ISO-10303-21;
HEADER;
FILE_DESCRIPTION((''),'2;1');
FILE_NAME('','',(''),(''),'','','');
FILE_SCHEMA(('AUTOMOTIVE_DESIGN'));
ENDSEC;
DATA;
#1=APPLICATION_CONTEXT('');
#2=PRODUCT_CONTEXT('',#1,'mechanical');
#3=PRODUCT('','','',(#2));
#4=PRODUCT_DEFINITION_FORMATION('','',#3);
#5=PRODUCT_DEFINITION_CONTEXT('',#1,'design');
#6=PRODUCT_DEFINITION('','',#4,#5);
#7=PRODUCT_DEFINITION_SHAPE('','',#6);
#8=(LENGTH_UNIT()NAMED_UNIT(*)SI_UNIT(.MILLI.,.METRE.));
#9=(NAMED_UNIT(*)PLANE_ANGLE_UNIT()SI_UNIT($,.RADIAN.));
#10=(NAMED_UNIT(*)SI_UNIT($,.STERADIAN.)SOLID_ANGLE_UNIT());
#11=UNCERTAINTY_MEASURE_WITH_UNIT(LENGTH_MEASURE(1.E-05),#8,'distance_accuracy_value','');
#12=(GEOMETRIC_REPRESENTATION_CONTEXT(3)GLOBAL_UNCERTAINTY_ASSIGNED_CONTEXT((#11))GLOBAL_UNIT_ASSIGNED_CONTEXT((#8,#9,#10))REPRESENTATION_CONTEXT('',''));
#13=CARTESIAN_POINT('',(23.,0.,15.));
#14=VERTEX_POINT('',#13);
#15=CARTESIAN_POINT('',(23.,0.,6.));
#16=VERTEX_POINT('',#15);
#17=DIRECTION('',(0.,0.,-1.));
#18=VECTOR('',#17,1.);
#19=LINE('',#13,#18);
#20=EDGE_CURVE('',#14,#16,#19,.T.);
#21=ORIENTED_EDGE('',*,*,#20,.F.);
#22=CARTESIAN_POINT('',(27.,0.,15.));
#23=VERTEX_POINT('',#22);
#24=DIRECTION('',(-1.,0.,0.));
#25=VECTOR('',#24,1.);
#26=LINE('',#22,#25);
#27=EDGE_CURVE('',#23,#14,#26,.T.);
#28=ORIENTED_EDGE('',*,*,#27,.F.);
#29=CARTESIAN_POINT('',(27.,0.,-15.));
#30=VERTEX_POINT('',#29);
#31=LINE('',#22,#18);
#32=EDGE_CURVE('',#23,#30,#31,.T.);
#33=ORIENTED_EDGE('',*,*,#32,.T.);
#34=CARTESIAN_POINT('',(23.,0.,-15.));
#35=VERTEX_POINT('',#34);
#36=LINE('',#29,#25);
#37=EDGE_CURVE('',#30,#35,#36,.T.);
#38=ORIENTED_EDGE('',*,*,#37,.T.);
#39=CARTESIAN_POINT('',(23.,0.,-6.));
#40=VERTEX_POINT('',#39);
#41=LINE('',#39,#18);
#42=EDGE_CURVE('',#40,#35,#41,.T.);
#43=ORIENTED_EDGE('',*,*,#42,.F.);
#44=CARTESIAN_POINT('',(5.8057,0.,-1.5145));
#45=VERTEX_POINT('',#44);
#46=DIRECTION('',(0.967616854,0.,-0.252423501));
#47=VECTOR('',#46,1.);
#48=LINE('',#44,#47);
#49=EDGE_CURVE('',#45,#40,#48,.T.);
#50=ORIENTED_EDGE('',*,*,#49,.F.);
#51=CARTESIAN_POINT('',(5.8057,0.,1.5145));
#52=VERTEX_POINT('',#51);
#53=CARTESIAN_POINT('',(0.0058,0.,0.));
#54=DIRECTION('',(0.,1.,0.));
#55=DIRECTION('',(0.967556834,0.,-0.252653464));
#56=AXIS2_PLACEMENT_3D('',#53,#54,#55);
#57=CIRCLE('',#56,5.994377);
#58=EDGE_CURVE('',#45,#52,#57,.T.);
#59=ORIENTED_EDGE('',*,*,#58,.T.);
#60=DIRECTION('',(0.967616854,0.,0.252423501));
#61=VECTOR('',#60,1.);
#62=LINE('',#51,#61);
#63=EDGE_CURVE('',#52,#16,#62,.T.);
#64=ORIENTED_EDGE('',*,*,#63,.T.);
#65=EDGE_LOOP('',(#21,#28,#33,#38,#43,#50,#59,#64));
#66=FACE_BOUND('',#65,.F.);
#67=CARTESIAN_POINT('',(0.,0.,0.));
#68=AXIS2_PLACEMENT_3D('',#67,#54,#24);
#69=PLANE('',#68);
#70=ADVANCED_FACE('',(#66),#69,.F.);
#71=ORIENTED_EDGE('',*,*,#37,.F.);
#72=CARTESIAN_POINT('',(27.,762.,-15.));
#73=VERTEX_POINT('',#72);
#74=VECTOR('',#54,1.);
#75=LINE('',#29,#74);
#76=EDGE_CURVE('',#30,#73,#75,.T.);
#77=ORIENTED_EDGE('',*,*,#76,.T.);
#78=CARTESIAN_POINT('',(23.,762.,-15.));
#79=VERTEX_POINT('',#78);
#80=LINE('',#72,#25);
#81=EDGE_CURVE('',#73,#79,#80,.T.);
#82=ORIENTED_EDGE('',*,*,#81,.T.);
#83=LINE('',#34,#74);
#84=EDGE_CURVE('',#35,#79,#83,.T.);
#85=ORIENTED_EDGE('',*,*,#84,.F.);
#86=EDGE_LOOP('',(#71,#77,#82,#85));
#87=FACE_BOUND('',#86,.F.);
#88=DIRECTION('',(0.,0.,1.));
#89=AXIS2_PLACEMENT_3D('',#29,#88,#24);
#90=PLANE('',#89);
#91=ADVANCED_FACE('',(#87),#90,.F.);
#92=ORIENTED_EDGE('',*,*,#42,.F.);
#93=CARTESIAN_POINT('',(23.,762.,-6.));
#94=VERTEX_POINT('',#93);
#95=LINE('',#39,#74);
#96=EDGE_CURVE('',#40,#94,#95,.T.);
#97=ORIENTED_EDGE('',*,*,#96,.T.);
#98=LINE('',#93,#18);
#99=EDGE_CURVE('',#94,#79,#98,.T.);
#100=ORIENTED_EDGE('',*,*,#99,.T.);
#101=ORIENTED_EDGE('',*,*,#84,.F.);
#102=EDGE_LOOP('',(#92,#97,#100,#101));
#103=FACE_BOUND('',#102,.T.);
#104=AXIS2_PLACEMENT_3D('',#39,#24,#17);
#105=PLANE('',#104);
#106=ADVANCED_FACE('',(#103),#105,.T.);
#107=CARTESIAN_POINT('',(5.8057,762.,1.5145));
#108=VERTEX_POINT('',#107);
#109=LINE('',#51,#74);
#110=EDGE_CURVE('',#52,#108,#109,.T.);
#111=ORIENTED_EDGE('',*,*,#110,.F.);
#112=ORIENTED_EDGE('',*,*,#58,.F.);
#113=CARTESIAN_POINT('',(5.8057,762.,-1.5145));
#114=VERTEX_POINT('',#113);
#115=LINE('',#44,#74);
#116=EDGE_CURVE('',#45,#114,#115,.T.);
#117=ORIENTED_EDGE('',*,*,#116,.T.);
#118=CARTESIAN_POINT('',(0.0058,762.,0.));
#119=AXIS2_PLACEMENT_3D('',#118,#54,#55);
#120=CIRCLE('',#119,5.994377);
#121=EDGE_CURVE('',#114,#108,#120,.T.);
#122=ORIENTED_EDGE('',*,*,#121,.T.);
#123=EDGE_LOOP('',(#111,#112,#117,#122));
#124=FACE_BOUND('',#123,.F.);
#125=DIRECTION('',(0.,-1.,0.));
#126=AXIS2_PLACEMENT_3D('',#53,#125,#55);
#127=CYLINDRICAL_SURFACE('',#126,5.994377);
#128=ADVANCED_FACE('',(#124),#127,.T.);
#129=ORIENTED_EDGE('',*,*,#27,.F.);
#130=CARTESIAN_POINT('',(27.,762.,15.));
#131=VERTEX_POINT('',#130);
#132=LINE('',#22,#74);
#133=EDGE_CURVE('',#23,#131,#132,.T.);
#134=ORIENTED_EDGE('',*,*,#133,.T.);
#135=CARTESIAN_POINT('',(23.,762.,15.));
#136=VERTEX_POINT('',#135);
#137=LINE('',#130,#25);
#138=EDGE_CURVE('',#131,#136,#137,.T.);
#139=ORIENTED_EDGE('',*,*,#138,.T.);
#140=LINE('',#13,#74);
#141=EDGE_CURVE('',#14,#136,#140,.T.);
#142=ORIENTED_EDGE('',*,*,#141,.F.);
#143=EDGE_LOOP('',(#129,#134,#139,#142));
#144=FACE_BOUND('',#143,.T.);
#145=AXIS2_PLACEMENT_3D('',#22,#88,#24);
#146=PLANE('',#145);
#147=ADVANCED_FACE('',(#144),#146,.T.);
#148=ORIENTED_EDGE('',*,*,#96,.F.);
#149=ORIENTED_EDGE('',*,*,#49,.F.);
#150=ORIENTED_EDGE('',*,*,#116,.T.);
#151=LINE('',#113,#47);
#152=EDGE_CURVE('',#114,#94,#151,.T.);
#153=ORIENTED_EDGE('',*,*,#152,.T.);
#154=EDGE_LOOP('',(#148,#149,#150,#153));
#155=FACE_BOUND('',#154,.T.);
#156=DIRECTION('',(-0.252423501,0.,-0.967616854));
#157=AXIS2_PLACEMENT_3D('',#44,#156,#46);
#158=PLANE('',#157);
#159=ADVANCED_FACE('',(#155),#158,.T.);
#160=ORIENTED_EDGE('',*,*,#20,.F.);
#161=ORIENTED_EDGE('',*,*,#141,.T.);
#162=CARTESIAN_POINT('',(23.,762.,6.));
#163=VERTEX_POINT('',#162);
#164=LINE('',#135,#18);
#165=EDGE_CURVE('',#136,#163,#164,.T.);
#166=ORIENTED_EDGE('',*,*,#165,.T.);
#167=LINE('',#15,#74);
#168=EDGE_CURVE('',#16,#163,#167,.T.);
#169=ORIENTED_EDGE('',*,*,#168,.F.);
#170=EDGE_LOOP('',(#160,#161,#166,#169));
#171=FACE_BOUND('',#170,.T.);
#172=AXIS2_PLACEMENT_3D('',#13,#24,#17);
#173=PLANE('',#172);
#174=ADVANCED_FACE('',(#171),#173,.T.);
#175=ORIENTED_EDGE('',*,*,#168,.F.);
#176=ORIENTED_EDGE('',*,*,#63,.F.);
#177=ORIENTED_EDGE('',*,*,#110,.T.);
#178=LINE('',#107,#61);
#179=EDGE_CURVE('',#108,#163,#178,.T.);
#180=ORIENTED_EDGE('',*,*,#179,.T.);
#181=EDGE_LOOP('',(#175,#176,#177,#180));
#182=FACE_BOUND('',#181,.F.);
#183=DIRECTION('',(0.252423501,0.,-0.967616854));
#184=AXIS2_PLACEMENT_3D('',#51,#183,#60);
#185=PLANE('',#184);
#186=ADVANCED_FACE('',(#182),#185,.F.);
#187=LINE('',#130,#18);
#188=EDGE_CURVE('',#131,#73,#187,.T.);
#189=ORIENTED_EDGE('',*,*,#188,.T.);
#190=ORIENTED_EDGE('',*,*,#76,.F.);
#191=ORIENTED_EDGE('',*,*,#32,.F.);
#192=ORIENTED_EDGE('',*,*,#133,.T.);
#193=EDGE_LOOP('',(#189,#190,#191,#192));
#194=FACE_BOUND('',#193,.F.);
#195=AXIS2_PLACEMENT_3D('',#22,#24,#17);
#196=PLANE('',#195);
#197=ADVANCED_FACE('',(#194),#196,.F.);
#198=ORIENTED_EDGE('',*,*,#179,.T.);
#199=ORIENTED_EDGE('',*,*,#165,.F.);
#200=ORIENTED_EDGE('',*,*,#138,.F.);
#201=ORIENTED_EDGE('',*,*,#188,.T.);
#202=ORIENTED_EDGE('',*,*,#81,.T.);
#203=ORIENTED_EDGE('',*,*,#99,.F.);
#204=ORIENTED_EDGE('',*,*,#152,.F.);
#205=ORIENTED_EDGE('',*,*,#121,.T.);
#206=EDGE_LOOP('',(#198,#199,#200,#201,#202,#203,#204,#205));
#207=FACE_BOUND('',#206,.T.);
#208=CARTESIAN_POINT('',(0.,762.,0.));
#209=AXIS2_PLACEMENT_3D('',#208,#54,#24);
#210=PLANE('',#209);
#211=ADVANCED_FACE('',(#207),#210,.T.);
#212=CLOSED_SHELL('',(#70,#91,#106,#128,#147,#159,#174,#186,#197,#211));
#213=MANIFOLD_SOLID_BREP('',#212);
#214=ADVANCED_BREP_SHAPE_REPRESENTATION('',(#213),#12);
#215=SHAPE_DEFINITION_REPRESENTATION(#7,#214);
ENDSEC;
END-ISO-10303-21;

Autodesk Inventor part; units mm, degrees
ref_plane "YZ Plane" through (0, 0, 0) normal (1, 0, 0) x (0, 1, 0)
ref_plane "XZ Plane" through (0, 0, 0) normal (0, 1, 0) x (-1, 0, 0)
ref_plane "XY Plane" through (0, 0, 0) normal (0, 0, 1) x (1, 0, 0)
sketch "Sketch1" plane through (0, 0, 0) normal (0, 1, 0) x (-1, 0, 0)
  line L0 (-6, 0) -> (0, 0) construction
  line L1 (-27, 15) -> (-27, -15)
  line L2 (-27, 15) -> (-23, 15)
  line L3 (-27, -15) -> (-23, -15)
  line L4 (-5.8057, 1.5145) -> (-23, 6)
  line L5 (-5.8057, -1.5145) -> (-23, -6)
  arc A0 (-5.8057, -1.5145) -> (-5.8057, 1.5145) centre (-0.0058, 0) ccw
  line L6 (-23, 15) -> (-23, 6)
  line L7 (-23, -6) -> (-23, -15)
  dimension "d6" = 30
  dimension "d7" = 4
  dimension "d8" = 4
  dimension "d10" = 5.9944
extrude "Extrusion1" add sketch "Sketch1" along normal blind 762
properties part number "supportedLinearRail12mm_30inches"
